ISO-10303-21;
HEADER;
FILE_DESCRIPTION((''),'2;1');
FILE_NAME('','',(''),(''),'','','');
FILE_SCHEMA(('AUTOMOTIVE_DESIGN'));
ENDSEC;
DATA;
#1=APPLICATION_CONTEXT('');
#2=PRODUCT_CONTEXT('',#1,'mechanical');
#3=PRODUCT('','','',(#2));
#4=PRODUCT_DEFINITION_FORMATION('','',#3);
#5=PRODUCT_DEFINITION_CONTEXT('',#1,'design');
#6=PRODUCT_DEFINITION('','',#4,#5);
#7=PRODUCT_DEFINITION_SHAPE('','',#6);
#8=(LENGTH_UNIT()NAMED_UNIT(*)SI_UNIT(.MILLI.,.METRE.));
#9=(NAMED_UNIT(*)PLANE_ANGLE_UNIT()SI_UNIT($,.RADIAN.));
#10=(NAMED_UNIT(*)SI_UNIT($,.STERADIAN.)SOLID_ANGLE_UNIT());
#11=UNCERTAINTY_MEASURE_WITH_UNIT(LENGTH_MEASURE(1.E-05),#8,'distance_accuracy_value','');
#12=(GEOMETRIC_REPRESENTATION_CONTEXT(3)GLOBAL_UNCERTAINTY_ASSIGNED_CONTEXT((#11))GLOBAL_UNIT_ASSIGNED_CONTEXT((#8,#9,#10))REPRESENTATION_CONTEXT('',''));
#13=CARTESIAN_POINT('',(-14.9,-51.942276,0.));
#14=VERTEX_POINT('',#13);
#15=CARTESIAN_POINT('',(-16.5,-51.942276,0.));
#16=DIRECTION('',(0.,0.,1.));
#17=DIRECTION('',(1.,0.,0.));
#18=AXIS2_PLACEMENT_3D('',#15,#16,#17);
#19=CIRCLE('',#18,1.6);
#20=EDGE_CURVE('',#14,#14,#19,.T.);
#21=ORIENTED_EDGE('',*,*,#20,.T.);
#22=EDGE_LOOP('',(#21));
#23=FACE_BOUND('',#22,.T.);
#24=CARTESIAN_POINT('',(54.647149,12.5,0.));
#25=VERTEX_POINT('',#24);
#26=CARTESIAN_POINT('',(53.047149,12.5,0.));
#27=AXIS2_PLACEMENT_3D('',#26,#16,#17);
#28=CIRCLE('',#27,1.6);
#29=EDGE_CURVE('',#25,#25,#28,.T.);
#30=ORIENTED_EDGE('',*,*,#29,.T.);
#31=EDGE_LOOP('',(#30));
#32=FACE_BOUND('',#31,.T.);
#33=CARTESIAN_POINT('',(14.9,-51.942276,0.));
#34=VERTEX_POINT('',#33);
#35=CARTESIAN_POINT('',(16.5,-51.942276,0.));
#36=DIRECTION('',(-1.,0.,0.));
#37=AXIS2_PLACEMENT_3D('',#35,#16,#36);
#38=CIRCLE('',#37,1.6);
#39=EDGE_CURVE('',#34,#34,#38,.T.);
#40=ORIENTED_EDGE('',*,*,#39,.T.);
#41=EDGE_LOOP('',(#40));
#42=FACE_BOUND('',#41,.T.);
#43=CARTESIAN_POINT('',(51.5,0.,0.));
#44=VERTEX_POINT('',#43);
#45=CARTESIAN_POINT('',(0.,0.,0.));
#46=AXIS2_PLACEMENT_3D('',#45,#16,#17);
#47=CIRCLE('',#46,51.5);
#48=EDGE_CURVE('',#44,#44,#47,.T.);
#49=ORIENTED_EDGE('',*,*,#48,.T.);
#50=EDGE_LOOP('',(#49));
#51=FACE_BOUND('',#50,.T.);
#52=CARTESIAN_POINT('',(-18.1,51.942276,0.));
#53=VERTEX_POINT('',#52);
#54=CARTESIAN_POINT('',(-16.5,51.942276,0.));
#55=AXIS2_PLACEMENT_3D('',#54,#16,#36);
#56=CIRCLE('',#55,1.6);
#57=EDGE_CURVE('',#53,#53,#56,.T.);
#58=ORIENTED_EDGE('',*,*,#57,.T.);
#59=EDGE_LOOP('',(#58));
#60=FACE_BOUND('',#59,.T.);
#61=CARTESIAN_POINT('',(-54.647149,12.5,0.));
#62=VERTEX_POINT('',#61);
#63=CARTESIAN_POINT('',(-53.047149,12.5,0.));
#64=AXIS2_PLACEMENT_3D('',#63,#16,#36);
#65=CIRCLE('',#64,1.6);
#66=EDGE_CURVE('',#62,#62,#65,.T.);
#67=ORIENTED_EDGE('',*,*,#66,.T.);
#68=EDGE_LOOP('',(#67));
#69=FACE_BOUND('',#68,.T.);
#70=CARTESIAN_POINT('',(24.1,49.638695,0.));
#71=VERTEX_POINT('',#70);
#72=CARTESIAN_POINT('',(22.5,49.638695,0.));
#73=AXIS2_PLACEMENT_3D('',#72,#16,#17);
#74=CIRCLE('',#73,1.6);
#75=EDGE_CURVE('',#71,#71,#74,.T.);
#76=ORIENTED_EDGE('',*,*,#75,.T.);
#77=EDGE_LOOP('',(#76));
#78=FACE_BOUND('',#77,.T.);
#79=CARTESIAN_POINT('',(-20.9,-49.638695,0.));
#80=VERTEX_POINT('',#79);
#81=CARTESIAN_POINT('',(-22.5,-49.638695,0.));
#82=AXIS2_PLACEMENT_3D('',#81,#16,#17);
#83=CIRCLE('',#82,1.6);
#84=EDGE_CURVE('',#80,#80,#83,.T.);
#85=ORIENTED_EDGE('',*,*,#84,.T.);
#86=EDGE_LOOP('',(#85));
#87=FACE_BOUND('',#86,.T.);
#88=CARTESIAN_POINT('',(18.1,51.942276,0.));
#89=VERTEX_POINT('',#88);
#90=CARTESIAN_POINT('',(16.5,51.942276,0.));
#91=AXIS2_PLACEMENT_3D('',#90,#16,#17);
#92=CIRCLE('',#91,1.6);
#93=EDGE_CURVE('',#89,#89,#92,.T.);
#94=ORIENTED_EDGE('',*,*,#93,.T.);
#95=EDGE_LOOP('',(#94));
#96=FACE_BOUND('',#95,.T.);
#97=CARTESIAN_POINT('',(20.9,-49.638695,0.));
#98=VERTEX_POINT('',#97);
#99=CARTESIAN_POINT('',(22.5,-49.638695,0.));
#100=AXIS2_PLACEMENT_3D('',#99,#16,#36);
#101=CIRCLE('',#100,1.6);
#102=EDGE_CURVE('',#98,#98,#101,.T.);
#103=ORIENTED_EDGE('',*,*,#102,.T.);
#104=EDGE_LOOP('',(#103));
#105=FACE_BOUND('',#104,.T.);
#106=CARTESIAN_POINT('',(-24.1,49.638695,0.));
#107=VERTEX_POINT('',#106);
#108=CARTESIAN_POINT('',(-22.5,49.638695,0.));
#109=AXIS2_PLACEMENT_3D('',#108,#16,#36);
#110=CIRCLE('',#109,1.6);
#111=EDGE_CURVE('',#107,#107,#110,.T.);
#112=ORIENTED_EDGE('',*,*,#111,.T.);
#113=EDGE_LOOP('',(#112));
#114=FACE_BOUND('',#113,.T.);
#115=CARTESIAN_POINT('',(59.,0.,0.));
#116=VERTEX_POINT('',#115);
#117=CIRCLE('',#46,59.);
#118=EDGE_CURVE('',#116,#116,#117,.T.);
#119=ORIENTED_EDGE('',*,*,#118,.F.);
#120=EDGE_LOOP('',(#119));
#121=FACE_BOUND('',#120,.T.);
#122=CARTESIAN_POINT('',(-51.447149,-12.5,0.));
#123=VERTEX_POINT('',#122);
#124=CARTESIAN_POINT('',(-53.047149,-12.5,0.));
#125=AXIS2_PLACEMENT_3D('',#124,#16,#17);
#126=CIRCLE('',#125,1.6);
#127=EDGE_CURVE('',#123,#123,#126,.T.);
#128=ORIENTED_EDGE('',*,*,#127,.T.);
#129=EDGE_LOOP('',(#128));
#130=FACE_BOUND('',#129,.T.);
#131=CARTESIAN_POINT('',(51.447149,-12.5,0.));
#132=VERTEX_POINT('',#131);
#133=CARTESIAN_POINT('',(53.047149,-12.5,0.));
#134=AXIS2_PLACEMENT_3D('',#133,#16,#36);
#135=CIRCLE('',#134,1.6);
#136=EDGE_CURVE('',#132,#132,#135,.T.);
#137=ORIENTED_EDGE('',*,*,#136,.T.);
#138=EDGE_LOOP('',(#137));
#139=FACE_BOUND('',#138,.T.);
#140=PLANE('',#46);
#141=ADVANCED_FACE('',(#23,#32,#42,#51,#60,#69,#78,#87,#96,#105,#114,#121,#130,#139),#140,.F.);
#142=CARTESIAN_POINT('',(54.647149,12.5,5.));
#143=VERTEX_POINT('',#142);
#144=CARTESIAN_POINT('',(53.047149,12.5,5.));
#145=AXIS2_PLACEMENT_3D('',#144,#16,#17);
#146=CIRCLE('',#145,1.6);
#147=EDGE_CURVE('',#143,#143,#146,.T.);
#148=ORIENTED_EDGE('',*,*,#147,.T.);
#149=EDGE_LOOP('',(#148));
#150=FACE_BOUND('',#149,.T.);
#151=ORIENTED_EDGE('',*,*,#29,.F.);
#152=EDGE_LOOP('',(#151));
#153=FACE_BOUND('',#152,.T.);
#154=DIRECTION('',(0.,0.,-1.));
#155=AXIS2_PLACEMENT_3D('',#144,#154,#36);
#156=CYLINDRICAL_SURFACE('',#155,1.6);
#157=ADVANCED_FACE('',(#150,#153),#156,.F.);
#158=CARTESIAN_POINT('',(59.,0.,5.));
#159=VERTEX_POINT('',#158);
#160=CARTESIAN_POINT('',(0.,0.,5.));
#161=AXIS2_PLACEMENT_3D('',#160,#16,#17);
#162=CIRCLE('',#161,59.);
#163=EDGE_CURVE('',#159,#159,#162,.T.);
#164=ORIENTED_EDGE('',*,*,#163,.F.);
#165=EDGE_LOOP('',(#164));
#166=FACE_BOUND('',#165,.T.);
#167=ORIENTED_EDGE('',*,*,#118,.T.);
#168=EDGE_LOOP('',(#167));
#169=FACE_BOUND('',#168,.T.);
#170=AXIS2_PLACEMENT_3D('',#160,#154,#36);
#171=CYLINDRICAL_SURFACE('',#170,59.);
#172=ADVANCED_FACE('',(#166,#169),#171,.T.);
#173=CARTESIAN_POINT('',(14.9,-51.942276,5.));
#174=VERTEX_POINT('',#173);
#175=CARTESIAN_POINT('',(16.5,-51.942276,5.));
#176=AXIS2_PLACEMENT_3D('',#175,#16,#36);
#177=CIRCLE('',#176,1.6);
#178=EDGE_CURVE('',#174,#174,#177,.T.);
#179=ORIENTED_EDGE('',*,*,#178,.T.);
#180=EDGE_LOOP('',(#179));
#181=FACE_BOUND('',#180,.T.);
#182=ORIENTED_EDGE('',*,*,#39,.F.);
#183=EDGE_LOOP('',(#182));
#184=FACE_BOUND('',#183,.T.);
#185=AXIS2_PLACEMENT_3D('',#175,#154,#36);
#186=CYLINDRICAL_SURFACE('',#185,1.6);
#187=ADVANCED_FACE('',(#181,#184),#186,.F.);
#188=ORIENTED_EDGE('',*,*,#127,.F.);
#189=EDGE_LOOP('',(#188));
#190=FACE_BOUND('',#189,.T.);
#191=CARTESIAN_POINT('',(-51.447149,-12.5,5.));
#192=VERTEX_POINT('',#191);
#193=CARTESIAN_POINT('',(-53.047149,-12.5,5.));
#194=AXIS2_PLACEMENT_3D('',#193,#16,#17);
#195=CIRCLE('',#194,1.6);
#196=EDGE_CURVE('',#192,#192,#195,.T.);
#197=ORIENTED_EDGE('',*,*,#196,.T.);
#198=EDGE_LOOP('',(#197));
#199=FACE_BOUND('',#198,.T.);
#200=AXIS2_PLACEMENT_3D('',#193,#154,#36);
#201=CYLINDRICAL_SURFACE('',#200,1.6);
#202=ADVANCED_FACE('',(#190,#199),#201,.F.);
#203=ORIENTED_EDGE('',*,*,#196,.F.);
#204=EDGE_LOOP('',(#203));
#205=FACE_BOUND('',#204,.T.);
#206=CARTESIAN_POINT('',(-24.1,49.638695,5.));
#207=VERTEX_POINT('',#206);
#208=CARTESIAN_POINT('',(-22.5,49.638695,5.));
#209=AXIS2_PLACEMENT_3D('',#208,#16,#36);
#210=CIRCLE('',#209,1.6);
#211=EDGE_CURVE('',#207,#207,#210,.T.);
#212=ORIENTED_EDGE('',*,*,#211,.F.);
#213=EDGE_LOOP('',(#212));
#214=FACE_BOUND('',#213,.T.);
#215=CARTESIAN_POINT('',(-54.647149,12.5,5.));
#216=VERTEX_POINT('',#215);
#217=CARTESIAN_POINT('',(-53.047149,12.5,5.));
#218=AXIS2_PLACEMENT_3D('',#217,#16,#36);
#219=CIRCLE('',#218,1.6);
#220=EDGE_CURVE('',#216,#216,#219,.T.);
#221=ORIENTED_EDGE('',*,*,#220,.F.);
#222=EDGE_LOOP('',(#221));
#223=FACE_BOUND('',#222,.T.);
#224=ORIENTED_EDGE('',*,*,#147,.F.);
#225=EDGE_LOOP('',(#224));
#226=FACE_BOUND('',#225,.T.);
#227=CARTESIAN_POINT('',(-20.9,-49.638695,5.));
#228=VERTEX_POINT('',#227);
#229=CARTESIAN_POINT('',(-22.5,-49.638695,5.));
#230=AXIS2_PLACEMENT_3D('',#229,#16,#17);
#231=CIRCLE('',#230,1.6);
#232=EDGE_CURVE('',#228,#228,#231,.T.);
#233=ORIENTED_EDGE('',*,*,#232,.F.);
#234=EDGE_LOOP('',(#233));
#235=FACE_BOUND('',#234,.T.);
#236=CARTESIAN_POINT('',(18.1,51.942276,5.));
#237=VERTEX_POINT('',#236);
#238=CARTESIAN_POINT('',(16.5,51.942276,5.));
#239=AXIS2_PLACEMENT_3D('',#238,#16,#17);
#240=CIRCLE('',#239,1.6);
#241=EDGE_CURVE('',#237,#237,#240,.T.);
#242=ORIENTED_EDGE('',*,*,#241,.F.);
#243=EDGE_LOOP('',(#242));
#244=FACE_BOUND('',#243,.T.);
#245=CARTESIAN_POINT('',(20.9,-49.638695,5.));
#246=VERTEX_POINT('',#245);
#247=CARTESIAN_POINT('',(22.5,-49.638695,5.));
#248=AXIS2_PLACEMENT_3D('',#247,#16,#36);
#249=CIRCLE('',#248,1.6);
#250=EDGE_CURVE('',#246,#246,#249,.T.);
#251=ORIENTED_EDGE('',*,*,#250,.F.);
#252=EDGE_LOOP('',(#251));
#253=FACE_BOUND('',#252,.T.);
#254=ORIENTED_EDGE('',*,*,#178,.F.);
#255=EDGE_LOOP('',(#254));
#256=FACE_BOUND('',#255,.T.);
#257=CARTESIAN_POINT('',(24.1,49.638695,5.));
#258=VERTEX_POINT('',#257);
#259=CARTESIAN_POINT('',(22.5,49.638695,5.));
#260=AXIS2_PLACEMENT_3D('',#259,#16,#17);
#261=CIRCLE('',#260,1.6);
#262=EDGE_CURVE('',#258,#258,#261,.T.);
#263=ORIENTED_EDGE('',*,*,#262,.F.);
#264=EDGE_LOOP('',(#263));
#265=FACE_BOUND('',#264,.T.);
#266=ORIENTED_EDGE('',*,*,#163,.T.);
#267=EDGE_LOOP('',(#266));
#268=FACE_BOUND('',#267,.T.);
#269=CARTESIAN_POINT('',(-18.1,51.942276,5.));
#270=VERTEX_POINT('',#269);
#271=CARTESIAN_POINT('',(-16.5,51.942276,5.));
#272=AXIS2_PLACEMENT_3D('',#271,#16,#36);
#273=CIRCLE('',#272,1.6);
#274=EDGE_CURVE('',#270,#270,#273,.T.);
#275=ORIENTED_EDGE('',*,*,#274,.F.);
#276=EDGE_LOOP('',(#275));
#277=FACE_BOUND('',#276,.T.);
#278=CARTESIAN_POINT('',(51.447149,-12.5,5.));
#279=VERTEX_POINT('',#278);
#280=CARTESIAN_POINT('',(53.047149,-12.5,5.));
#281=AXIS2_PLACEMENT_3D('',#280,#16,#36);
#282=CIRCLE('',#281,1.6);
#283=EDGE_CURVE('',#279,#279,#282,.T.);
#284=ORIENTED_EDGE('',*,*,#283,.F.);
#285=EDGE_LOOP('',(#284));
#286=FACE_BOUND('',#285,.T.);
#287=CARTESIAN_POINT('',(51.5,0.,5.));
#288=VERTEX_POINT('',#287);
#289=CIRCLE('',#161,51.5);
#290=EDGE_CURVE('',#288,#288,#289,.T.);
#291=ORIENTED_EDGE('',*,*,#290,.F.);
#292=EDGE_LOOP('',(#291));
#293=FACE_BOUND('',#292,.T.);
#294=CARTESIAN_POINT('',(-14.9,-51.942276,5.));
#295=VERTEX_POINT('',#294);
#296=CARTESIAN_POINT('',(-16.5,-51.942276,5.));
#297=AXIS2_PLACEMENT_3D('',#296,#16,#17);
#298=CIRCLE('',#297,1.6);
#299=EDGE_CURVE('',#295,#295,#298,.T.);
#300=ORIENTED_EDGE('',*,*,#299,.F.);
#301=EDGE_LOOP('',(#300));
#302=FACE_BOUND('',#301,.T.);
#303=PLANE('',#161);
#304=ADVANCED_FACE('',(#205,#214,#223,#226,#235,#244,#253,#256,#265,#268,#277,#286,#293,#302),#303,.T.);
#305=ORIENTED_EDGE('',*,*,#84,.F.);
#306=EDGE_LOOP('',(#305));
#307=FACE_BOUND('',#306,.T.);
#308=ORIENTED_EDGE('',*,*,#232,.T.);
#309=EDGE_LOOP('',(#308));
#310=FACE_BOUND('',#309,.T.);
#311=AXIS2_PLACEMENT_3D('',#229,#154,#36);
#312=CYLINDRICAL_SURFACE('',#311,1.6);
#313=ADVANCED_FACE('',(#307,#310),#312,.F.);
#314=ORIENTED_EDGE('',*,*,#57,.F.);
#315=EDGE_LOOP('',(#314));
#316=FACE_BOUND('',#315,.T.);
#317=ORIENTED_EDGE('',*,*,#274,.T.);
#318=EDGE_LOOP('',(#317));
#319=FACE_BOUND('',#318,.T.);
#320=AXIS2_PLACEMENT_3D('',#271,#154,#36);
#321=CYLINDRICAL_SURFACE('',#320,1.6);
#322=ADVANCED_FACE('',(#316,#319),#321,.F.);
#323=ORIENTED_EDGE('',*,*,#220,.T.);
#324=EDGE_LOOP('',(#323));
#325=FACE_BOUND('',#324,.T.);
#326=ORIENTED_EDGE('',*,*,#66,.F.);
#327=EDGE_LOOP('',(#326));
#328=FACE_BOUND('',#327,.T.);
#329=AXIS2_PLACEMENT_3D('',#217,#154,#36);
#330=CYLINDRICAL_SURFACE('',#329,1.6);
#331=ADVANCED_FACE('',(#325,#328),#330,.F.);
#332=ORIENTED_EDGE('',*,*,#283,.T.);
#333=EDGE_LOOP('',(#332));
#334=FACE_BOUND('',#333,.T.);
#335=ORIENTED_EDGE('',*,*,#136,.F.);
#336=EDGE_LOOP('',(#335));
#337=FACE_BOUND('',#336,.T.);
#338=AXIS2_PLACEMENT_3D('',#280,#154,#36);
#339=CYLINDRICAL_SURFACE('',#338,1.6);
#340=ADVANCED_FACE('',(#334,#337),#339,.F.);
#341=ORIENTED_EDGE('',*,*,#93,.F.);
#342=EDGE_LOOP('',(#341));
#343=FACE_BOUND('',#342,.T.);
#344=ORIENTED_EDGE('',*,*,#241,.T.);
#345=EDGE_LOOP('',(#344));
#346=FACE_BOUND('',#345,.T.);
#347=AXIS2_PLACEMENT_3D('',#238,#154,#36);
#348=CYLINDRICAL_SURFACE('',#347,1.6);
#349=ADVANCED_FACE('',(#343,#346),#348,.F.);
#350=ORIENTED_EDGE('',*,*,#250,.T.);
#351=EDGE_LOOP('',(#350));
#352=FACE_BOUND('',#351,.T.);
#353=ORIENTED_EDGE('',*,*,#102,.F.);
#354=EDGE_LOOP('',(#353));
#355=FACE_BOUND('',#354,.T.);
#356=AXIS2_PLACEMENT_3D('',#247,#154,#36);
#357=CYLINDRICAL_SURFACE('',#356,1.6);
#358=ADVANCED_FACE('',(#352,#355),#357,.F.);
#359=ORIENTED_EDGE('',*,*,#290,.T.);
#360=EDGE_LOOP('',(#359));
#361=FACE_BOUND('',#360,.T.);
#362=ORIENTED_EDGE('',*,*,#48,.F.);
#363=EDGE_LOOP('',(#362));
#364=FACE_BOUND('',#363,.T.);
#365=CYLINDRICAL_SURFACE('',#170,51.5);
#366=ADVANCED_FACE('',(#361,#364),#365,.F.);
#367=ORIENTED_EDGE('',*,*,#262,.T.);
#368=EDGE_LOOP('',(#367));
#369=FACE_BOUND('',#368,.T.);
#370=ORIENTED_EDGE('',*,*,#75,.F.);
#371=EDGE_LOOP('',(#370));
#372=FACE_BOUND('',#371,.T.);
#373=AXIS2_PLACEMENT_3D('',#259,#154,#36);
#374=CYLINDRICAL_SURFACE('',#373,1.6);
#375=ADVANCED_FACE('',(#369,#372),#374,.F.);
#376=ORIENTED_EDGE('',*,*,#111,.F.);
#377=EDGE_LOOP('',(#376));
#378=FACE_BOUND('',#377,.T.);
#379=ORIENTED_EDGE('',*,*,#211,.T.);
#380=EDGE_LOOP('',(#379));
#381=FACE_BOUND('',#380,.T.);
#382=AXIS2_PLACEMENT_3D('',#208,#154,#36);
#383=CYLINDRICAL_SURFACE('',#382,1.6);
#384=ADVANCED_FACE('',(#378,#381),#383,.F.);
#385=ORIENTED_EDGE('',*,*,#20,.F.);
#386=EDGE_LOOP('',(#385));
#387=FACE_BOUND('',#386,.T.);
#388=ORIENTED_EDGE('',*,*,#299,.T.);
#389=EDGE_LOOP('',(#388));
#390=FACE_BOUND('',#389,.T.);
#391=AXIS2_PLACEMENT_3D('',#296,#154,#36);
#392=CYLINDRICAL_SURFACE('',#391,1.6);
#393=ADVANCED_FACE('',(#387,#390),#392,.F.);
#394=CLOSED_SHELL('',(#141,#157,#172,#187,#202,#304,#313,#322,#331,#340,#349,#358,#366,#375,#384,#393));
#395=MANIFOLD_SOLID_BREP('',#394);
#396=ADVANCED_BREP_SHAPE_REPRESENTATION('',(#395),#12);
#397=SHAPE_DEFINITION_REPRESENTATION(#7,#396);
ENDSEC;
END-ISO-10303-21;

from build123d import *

# Parameters (mm, degrees)
SKETCH_1_R      = 59
SKETCH_1_R_2    = 51.5
SKETCH_1_R_3    = 1.6
EXTRUDE_1_DEPTH = 5


with BuildPart() as part:
    # 草图1 → 凸台-拉伸1 (new body)
    with BuildSketch(Plane.XY):
        Circle(SKETCH_1_R)
        Circle(SKETCH_1_R_2, mode=Mode.SUBTRACT)
        with Locations((16.5, 51.942275653)):
            Circle(SKETCH_1_R_3, mode=Mode.SUBTRACT)
        with Locations((22.5, 49.638694584)):
            Circle(SKETCH_1_R_3, mode=Mode.SUBTRACT)
        with Locations((53.047148839, 12.5)):
            Circle(SKETCH_1_R_3, mode=Mode.SUBTRACT)
        with Locations(Location((22.5, -49.638694584, 0), (0, 0, 180))):
            Circle(SKETCH_1_R_3, mode=Mode.SUBTRACT)
        with Locations(Location((16.5, -51.942275653, 0), (0, 0, 180))):
            Circle(SKETCH_1_R_3, mode=Mode.SUBTRACT)
        with Locations(Location((53.047148839, -12.5, 0), (0, 0, 180))):
            Circle(SKETCH_1_R_3, mode=Mode.SUBTRACT)
        with Locations((-16.5, -51.942275653)):
            Circle(SKETCH_1_R_3, mode=Mode.SUBTRACT)
        with Locations((-22.5, -49.638694584)):
            Circle(SKETCH_1_R_3, mode=Mode.SUBTRACT)
        with Locations((-53.047148839, -12.5)):
            Circle(SKETCH_1_R_3, mode=Mode.SUBTRACT)
        with Locations(Location((-53.047148839, 12.5, 0), (0, 0, 180))):
            Circle(SKETCH_1_R_3, mode=Mode.SUBTRACT)
        with Locations(Location((-22.5, 49.638694584, 0), (0, 0, 180))):
            Circle(SKETCH_1_R_3, mode=Mode.SUBTRACT)
        with Locations(Location((-16.5, 51.942275653, 0), (0, 0, 180))):
            Circle(SKETCH_1_R_3, mode=Mode.SUBTRACT)
    extrude(amount=EXTRUDE_1_DEPTH)


solid = part.part
